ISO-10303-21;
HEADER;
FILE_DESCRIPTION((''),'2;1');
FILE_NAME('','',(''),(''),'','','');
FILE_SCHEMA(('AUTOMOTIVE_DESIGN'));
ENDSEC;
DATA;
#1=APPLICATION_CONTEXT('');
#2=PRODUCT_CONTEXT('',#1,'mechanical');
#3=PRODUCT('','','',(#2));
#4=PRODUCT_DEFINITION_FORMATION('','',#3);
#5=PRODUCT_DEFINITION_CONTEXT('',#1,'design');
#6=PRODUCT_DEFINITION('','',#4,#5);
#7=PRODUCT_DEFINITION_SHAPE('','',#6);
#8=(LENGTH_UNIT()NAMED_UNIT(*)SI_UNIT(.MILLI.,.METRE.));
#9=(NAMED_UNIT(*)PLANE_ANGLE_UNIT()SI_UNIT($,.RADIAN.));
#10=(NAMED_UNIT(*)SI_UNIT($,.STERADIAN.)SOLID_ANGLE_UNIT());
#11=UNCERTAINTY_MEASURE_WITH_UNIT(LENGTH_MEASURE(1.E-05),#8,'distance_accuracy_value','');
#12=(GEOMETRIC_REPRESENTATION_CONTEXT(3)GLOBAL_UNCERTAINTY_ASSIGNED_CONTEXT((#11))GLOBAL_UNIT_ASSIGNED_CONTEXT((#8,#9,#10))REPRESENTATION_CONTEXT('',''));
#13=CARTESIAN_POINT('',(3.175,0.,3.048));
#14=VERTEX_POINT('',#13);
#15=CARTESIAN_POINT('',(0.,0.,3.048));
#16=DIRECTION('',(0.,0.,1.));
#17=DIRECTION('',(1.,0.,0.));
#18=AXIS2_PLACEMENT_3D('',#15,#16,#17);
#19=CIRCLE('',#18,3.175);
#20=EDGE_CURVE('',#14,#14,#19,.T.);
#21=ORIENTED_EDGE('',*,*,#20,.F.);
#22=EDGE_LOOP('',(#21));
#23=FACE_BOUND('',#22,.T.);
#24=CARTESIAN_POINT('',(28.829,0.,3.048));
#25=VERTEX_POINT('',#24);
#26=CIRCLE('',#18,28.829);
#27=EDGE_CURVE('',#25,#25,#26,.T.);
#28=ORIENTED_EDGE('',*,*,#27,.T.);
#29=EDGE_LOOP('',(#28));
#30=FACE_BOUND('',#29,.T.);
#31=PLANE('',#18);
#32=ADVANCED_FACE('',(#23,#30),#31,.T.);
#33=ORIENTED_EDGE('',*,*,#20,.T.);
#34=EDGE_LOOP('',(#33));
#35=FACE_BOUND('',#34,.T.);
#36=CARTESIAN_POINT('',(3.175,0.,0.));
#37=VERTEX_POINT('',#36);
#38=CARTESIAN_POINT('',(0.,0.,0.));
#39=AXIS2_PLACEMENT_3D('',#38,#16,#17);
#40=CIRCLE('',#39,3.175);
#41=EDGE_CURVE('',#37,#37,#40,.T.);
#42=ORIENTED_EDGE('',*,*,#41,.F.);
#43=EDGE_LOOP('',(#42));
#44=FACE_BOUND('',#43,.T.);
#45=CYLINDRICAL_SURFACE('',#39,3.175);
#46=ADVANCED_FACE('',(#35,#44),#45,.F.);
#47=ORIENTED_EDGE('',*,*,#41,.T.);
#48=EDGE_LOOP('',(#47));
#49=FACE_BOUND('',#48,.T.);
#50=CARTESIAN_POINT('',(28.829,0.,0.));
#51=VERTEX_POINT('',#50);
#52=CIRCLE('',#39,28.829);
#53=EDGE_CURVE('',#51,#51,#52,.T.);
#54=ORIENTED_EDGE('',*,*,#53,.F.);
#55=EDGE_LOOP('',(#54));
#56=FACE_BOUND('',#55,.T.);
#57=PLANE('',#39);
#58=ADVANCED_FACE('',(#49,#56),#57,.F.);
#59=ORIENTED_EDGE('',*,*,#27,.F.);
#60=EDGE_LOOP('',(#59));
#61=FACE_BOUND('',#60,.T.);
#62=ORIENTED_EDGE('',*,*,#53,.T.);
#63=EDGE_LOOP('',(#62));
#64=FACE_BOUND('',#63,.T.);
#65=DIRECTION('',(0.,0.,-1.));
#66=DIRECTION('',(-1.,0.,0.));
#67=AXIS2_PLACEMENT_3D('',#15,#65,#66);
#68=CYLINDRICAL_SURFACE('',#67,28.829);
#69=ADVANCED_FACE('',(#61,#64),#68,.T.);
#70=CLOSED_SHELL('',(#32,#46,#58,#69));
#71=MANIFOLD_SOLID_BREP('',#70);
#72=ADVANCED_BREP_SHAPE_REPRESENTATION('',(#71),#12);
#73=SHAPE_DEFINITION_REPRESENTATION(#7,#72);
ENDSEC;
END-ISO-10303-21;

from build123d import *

# Parameters (mm, degrees)
SKETCH1_R           = 28.829
BOSS_EXTRUDE1_DEPTH = 3.048
SKETCH2_R           = 3.175
CUT_EXTRUDE1_DEPTH  = 3.048


with BuildPart() as part:
    # Sketch1 → Boss-Extrude1 (new body)
    with BuildSketch(Plane.XY):
        Circle(SKETCH1_R)
    extrude(amount=BOSS_EXTRUDE1_DEPTH)

    # Sketch2 → Cut-Extrude1 (cut)
    with BuildSketch(Plane.XY.offset(3.048)):
        Circle(SKETCH2_R)
    extrude(amount=-CUT_EXTRUDE1_DEPTH, mode=Mode.SUBTRACT)


solid = part.part
